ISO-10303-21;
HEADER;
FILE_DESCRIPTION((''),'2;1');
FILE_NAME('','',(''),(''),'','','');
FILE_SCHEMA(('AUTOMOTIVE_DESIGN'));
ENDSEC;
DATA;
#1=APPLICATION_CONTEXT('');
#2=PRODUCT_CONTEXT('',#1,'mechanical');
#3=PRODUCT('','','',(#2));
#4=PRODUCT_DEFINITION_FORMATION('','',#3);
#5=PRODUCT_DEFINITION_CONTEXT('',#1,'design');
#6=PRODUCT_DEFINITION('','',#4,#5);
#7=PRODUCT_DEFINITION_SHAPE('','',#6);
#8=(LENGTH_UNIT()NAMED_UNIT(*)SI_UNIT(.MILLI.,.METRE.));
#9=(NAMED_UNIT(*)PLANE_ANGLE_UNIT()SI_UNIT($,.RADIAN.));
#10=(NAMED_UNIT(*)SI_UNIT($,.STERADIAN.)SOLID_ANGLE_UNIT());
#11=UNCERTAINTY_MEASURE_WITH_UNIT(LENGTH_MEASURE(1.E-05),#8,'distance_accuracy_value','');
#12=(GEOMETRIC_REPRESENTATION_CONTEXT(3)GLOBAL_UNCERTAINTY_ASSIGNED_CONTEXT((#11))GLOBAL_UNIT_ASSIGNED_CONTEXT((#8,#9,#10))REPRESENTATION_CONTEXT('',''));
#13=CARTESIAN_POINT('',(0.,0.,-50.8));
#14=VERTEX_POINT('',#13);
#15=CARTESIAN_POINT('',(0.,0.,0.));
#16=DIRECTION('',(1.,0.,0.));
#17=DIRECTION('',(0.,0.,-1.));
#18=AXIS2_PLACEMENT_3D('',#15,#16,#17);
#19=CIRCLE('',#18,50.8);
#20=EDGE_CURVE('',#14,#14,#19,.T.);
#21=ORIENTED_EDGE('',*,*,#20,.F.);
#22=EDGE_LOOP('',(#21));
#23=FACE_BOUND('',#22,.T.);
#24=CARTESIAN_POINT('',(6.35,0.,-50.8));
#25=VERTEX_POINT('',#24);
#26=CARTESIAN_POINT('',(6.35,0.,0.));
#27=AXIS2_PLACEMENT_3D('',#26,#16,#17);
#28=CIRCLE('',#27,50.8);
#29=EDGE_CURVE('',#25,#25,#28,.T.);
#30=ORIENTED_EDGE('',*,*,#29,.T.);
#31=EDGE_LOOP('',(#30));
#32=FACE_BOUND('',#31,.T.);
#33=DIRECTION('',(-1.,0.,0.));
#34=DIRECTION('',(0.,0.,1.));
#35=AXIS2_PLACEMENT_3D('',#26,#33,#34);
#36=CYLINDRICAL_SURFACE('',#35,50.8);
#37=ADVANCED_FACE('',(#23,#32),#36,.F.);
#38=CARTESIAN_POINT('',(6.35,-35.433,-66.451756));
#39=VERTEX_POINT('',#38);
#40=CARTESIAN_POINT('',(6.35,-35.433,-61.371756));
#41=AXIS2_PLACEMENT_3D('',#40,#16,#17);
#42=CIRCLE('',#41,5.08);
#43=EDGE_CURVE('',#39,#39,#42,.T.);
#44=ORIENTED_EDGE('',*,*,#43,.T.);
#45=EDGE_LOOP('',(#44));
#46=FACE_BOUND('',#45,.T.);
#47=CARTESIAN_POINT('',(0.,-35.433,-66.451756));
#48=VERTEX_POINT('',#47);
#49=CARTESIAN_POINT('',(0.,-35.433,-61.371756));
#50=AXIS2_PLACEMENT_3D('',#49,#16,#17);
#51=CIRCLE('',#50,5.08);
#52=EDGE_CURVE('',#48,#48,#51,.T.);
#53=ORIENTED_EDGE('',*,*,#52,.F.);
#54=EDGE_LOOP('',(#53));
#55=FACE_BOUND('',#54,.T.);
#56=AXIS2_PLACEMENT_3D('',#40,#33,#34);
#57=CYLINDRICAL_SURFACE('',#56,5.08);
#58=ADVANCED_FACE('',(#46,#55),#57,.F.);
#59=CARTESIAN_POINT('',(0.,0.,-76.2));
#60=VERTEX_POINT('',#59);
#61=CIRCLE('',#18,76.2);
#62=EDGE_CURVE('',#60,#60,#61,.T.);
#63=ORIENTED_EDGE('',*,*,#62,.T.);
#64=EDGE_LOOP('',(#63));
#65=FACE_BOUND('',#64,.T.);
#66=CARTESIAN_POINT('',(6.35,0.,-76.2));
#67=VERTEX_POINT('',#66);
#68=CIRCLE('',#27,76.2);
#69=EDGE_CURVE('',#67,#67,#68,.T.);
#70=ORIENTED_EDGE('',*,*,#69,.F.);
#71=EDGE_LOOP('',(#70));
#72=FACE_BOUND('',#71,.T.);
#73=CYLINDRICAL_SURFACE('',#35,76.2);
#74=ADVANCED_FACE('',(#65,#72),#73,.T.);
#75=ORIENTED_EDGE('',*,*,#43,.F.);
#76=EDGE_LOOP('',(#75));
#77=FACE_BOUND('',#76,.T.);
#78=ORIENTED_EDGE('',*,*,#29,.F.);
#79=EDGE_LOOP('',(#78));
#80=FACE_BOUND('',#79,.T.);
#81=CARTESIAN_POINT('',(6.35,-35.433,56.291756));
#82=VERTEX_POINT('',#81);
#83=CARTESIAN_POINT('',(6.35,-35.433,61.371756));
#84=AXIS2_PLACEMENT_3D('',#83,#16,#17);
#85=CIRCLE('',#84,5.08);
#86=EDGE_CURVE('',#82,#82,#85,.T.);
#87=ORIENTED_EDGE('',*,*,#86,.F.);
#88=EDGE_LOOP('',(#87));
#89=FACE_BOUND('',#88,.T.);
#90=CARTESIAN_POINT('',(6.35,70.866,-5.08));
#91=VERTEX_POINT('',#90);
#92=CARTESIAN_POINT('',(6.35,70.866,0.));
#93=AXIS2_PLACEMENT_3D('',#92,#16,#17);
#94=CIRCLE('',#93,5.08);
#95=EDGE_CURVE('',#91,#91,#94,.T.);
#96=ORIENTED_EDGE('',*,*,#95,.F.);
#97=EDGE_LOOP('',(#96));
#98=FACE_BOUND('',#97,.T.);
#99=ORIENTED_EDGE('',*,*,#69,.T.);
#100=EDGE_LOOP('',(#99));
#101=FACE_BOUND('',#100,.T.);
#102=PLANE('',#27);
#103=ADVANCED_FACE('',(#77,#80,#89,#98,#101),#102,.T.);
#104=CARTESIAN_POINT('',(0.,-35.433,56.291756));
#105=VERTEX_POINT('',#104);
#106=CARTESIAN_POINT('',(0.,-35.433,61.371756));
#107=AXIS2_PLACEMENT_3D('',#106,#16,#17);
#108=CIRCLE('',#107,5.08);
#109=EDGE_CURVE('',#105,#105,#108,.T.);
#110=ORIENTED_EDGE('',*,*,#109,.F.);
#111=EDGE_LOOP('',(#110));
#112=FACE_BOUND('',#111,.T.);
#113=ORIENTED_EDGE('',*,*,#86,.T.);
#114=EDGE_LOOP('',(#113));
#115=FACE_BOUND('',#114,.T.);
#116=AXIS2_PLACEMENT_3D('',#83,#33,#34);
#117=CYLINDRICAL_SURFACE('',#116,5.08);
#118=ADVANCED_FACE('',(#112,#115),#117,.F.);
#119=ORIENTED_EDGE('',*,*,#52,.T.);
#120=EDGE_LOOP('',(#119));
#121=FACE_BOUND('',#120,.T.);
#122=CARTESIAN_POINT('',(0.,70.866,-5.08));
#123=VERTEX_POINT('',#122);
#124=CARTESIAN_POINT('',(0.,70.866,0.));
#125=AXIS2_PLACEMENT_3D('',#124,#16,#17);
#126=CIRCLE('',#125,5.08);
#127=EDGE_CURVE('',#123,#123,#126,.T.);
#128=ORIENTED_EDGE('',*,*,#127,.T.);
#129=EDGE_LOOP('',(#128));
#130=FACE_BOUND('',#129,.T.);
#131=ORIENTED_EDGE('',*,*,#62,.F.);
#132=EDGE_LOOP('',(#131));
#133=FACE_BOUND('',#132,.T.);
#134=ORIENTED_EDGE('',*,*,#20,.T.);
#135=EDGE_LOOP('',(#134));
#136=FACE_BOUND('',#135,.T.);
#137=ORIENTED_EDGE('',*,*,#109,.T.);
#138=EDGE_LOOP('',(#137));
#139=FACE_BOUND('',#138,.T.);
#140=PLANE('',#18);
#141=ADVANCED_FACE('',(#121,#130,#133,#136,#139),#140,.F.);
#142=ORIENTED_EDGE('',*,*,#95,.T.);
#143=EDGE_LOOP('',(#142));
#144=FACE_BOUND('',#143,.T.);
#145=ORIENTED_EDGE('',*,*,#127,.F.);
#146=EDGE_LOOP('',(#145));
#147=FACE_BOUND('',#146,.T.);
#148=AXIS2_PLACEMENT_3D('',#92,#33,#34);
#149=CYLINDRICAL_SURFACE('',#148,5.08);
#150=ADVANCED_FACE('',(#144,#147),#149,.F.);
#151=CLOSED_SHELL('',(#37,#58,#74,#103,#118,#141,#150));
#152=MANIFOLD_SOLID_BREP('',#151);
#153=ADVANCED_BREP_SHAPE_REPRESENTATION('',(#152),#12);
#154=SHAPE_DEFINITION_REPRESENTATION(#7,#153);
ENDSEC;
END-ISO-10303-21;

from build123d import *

# Parameters (mm, degrees)
SKETCH1_R           = 76.2
SKETCH1_R_2         = 50.8
SKETCH1_R_3         = 5.08
BOSS_EXTRUDE1_DEPTH = 6.35


with BuildPart() as part:
    # Sketch1 → Boss-Extrude1 (new body)
    with BuildSketch(Plane(origin=(0, 0, 0), x_dir=(0, 0, -1), z_dir=(1, 0, 0))):
        Circle(SKETCH1_R)
        Circle(SKETCH1_R_2, mode=Mode.SUBTRACT)
        with Locations((0, 70.866)):
            Circle(SKETCH1_R_3, mode=Mode.SUBTRACT)
        with Locations((61.371756265, -35.433)):
            Circle(SKETCH1_R_3, mode=Mode.SUBTRACT)
        with Locations((-61.371756265, -35.433)):
            Circle(SKETCH1_R_3, mode=Mode.SUBTRACT)
    extrude(amount=BOSS_EXTRUDE1_DEPTH)


solid = part.part
